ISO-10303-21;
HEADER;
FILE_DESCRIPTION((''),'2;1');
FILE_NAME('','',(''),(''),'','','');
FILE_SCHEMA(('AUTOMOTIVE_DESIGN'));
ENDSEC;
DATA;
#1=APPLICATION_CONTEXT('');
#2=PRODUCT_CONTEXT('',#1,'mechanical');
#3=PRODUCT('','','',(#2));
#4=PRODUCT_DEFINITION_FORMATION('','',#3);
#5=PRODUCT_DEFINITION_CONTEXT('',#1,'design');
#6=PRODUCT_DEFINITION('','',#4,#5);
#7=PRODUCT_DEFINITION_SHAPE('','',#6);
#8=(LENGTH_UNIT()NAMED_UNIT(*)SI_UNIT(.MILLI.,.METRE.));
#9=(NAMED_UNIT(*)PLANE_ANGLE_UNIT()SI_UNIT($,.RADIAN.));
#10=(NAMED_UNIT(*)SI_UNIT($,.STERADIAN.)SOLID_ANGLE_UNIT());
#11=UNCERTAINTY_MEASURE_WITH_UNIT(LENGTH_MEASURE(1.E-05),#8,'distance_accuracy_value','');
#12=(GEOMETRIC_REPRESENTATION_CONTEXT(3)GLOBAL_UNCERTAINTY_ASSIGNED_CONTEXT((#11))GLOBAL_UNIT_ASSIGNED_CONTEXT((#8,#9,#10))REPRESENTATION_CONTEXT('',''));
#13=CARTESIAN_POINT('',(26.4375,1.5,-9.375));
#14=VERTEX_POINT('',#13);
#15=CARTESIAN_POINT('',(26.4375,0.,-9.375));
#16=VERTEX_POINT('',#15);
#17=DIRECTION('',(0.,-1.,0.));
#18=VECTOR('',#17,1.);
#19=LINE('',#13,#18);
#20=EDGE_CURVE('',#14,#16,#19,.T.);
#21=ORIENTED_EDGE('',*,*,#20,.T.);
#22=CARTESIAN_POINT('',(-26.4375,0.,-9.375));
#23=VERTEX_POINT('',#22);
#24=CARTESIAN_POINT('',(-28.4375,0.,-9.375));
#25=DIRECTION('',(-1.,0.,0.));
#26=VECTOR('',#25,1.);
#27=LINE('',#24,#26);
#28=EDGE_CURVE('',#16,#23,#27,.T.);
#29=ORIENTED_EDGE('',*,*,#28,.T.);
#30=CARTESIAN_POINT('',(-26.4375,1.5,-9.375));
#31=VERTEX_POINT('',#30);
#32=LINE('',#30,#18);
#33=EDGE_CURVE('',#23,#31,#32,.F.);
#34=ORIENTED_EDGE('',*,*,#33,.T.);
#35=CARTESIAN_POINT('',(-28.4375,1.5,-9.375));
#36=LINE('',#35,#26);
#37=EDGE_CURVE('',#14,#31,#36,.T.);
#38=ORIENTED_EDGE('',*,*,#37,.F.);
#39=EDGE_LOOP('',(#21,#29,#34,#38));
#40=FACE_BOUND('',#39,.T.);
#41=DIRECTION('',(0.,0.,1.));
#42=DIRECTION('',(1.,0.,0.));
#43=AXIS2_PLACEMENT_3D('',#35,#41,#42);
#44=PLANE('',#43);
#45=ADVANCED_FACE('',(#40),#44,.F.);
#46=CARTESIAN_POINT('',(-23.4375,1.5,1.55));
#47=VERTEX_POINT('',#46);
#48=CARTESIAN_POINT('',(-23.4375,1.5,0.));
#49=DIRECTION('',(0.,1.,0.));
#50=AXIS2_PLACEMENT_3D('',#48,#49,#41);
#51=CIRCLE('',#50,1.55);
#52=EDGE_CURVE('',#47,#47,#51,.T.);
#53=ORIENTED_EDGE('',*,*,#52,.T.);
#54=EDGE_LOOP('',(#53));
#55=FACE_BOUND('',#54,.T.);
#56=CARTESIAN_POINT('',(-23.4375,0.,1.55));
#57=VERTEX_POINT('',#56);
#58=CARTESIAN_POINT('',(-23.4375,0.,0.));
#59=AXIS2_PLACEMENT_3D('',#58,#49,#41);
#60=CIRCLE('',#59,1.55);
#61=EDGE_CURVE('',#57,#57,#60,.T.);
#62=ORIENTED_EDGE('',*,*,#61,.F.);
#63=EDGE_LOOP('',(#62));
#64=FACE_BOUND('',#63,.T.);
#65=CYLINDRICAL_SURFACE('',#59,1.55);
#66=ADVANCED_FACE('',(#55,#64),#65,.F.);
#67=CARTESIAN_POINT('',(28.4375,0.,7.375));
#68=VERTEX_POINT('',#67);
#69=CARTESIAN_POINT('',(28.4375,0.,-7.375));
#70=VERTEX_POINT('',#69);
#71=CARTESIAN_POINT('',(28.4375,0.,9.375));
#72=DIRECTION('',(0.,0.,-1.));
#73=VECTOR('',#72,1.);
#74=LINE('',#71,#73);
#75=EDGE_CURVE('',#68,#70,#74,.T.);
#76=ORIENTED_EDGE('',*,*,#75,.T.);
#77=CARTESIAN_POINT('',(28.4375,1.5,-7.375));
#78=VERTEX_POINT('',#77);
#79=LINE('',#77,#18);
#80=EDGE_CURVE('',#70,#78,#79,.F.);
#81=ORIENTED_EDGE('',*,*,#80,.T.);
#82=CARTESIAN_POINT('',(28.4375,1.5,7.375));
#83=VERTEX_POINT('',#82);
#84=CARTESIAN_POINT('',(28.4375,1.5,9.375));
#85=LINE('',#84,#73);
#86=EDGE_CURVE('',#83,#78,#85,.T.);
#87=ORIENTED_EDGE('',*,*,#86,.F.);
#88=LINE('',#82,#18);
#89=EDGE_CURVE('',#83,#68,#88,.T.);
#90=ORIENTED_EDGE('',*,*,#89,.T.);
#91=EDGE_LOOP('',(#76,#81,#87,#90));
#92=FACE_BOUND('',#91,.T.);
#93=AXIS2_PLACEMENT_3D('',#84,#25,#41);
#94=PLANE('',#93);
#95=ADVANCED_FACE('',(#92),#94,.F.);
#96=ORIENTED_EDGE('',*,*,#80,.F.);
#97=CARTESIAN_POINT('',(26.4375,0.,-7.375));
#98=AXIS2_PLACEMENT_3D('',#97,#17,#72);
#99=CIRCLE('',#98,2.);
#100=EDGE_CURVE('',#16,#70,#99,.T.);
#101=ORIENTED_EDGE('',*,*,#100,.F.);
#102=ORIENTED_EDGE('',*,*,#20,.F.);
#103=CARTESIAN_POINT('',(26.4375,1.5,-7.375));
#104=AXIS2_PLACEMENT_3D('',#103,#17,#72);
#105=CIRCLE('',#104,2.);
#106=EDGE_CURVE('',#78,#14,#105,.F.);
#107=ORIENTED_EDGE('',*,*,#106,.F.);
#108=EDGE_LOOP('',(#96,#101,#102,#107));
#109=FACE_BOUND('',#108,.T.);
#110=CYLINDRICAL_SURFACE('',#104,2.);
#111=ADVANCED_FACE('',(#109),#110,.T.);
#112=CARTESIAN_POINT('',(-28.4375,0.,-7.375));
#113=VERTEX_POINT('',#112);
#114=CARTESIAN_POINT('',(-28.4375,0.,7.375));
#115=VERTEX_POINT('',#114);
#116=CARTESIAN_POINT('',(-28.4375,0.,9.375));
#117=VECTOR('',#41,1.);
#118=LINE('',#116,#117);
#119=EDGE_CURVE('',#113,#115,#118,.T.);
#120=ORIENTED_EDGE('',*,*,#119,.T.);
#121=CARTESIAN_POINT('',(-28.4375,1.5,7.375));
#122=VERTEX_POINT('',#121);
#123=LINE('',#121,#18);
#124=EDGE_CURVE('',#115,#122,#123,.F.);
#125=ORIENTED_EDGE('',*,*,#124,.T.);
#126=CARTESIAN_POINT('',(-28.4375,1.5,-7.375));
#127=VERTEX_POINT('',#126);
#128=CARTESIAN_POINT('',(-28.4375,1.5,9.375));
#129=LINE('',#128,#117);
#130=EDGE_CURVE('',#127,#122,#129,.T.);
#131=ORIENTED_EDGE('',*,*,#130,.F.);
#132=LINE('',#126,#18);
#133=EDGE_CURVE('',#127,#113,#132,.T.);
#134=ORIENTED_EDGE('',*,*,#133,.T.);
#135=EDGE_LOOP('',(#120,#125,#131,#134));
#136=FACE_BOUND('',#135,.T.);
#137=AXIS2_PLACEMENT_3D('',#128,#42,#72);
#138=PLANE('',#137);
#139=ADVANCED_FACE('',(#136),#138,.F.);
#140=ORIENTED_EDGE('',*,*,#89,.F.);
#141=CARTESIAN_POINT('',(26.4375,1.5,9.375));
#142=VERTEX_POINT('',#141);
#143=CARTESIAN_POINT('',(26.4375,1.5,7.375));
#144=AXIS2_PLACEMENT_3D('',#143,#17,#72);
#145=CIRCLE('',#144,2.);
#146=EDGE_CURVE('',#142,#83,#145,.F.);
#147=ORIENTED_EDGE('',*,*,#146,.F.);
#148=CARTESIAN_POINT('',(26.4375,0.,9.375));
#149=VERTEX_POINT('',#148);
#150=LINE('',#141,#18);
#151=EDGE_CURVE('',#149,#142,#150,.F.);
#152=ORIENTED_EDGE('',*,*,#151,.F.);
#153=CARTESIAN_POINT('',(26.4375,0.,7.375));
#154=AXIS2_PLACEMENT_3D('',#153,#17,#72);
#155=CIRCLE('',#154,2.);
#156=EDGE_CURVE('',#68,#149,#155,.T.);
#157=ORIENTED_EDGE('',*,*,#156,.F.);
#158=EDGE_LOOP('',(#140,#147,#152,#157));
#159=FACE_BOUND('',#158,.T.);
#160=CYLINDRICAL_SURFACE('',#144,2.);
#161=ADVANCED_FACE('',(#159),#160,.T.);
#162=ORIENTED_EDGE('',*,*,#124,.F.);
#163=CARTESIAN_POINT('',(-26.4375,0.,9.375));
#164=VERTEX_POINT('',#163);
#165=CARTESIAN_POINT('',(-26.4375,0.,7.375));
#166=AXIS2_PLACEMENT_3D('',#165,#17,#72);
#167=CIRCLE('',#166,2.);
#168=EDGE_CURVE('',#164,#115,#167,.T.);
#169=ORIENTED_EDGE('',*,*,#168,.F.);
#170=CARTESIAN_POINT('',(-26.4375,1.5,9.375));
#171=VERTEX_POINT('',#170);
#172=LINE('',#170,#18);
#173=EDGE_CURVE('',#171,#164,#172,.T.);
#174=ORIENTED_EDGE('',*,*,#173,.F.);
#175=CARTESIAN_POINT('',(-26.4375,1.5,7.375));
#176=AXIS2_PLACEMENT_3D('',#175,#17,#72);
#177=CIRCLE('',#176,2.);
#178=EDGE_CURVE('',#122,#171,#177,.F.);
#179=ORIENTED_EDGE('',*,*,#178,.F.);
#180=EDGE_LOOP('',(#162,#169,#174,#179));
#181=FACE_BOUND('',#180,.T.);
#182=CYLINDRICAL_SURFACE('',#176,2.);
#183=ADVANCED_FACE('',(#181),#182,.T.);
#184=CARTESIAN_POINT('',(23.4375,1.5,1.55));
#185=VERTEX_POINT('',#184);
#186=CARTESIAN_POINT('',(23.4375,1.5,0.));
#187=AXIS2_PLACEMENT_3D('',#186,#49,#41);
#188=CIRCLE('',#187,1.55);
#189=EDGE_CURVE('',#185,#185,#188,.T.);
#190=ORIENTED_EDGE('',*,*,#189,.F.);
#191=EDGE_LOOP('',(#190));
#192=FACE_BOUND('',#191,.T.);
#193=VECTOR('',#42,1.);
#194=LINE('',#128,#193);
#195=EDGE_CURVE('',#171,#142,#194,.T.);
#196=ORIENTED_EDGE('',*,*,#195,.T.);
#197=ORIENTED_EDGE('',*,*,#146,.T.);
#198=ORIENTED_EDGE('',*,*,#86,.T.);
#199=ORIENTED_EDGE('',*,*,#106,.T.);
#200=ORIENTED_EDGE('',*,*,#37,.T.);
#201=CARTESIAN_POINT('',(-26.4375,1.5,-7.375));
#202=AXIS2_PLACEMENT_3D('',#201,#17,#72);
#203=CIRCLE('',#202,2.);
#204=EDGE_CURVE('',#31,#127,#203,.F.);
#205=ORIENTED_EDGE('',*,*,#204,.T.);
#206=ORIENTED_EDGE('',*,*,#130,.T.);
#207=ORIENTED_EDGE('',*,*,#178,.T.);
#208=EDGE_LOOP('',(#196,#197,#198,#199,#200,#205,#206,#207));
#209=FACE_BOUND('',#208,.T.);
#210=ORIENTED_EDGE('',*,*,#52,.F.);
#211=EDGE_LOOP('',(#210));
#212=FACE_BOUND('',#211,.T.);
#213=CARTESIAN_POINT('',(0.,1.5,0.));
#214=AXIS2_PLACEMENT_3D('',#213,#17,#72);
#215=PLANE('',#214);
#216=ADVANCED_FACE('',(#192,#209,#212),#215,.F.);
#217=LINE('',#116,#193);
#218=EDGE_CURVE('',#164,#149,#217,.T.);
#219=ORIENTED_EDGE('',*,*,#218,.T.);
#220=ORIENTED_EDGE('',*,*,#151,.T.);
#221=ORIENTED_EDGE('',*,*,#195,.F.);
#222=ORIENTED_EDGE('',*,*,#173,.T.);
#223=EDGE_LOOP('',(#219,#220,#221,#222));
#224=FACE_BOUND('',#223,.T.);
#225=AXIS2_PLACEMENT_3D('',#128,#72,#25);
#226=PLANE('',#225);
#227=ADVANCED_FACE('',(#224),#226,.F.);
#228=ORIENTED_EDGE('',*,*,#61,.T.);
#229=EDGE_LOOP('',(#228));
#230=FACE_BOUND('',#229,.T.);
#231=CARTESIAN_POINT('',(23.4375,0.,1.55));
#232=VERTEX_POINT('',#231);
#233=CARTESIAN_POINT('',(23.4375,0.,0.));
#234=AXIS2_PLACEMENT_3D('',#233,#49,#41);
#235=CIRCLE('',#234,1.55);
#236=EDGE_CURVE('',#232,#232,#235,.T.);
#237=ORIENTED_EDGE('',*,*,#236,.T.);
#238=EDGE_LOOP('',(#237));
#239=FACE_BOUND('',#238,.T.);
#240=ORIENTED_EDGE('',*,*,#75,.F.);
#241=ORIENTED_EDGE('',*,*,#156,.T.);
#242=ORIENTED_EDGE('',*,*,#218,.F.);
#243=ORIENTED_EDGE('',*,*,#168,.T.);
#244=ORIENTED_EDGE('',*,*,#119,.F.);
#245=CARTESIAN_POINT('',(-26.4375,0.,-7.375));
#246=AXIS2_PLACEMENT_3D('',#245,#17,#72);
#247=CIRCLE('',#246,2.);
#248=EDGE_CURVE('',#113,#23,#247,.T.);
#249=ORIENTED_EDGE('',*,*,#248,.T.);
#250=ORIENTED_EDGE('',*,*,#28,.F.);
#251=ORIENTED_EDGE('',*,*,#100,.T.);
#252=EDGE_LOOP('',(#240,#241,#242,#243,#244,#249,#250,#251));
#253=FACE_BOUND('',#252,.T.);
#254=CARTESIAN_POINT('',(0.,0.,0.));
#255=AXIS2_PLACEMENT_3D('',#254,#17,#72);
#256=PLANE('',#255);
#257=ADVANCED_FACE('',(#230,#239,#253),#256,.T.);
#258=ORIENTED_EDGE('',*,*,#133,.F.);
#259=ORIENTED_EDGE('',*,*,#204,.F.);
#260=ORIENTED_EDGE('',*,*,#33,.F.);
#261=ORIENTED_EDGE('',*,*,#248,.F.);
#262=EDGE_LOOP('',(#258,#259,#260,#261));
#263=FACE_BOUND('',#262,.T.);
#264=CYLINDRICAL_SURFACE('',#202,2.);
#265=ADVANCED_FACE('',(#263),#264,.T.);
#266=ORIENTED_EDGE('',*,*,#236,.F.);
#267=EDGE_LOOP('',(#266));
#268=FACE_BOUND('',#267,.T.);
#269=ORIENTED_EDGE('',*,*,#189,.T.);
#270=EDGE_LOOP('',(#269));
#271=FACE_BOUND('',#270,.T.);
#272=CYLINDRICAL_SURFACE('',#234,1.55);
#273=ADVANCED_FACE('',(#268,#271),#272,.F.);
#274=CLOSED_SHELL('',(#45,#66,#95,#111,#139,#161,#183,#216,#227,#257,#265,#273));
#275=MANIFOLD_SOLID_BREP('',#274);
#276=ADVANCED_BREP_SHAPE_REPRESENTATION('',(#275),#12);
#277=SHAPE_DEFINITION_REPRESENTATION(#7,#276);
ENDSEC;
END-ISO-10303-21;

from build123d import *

# Parameters (mm, degrees)
SKETCH1_W           = 56.875
SKETCH1_H           = 18.75
BOSS_EXTRUDE1_DEPTH = 1.5
FILLET1_R           = 2
SKETCH2_R           = 1.55
CUT_EXTRUDE1_DEPTH  = 1.5


with BuildPart() as part:
    # Sketch1 → Boss-Extrude1 (new body)
    with BuildSketch(Plane(origin=(0, 0, 0), x_dir=(1, 0, 0), z_dir=(0, 1, 0))):
        Rectangle(SKETCH1_W, SKETCH1_H)
    extrude(amount=BOSS_EXTRUDE1_DEPTH)

    # Fillet1
    fillet1_edges = [part.edges().sort_by_distance(p)[0] for p in [
        (28.4375, 0.75, 9.375),
        (-28.4375, 0.75, 9.375),
        (-28.4375, 0.75, -9.375),
        (28.4375, 0.75, -9.375),
    ]]
    fillet(fillet1_edges, radius=FILLET1_R)

    # Sketch2 → Cut-Extrude1 (cut)
    with BuildSketch(Plane(origin=(0, 1.5, 0), x_dir=(1, 0, 0), z_dir=(0, 1, 0))):
        with Locations(Location((-23.4375, 0, 0), (0, 0, 270))):
            Circle(SKETCH2_R)
        with Locations(Location((23.4375, 0, 0), (0, 0, 270))):
            Circle(SKETCH2_R)
    extrude(amount=-CUT_EXTRUDE1_DEPTH, mode=Mode.SUBTRACT)


solid = part.part
